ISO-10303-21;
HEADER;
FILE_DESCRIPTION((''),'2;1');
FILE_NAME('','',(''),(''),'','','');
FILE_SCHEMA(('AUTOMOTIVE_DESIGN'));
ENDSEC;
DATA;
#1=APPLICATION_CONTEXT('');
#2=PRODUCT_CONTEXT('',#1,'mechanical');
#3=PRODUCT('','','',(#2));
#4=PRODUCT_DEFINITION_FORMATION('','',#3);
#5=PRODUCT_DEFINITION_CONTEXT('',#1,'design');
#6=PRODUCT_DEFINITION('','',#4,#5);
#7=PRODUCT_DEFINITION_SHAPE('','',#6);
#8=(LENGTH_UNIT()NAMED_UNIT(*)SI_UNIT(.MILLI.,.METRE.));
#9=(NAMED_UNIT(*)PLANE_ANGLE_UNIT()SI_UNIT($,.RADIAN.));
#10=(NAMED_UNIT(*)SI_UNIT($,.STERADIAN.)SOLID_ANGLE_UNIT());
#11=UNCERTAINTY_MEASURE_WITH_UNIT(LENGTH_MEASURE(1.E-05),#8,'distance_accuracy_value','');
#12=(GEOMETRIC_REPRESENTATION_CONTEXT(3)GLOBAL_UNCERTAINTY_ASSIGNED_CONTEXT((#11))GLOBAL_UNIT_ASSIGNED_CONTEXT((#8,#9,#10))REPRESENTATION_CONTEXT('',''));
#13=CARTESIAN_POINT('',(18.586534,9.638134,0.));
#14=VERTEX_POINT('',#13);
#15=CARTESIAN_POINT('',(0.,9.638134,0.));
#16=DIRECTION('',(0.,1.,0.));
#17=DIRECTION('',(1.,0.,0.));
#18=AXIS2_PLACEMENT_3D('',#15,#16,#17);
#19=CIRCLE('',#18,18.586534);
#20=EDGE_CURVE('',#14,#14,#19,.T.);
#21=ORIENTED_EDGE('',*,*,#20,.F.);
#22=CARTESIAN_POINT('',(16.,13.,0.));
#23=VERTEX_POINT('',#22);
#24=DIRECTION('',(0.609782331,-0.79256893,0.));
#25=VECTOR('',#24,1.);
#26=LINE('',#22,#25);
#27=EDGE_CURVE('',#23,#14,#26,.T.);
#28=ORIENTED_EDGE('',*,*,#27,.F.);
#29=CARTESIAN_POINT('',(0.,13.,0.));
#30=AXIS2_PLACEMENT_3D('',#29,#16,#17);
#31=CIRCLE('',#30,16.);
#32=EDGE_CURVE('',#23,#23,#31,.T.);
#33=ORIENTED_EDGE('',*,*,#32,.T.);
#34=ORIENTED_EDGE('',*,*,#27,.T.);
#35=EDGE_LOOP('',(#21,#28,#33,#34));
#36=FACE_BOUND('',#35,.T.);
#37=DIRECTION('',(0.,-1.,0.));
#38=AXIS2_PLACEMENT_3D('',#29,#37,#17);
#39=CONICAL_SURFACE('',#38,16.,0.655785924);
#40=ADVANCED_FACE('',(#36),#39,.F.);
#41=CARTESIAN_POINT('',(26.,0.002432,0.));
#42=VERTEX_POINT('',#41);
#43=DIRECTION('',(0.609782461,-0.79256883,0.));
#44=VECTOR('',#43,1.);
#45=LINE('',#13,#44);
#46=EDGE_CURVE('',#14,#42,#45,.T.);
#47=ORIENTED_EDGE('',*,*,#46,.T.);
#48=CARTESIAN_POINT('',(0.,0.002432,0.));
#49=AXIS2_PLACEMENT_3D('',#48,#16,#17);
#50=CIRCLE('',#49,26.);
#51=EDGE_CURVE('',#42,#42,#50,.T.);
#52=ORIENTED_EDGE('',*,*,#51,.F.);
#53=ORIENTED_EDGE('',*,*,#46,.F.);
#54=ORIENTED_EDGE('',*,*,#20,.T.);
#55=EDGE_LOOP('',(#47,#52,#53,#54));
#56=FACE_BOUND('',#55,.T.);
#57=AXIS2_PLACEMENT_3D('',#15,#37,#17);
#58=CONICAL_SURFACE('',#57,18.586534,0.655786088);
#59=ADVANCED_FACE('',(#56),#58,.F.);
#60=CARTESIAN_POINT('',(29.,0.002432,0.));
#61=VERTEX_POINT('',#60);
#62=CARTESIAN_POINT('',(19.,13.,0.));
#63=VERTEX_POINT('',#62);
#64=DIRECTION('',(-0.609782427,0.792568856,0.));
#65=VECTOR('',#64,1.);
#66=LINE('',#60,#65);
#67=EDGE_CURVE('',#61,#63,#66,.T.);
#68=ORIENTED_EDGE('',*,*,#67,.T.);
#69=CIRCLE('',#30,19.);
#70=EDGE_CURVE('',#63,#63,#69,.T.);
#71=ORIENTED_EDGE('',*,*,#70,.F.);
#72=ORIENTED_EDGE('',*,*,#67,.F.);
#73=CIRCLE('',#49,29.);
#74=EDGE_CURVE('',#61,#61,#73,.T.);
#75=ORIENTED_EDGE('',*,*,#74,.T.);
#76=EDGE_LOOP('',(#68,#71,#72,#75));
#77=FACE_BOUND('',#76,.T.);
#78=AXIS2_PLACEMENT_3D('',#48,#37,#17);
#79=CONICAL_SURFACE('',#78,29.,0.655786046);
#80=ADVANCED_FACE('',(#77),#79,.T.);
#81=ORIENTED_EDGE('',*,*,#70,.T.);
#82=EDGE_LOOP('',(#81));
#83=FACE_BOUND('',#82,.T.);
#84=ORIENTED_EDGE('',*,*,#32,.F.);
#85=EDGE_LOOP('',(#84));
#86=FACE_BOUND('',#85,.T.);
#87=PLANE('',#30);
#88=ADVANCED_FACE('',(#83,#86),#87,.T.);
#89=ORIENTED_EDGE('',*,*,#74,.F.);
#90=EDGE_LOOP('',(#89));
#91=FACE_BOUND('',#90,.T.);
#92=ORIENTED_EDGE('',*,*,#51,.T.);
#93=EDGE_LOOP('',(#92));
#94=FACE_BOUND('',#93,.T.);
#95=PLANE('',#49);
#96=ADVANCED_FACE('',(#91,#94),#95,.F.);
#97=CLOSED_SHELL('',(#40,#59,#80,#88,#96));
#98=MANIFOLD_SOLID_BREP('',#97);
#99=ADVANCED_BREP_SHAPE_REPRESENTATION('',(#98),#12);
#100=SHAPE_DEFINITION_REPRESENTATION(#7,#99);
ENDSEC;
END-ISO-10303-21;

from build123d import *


with BuildPart() as part:
    # Sketch → Revolution (revolve)
    with BuildSketch(Plane.XY):
        Polygon((26, 0.002432), (29, 0.002432), (19, 13), (16, 13), (18.586534, 9.638134), align=None)
    revolve(axis=Axis((0, 0, 0), (0, 1, 0)))


solid = part.part
